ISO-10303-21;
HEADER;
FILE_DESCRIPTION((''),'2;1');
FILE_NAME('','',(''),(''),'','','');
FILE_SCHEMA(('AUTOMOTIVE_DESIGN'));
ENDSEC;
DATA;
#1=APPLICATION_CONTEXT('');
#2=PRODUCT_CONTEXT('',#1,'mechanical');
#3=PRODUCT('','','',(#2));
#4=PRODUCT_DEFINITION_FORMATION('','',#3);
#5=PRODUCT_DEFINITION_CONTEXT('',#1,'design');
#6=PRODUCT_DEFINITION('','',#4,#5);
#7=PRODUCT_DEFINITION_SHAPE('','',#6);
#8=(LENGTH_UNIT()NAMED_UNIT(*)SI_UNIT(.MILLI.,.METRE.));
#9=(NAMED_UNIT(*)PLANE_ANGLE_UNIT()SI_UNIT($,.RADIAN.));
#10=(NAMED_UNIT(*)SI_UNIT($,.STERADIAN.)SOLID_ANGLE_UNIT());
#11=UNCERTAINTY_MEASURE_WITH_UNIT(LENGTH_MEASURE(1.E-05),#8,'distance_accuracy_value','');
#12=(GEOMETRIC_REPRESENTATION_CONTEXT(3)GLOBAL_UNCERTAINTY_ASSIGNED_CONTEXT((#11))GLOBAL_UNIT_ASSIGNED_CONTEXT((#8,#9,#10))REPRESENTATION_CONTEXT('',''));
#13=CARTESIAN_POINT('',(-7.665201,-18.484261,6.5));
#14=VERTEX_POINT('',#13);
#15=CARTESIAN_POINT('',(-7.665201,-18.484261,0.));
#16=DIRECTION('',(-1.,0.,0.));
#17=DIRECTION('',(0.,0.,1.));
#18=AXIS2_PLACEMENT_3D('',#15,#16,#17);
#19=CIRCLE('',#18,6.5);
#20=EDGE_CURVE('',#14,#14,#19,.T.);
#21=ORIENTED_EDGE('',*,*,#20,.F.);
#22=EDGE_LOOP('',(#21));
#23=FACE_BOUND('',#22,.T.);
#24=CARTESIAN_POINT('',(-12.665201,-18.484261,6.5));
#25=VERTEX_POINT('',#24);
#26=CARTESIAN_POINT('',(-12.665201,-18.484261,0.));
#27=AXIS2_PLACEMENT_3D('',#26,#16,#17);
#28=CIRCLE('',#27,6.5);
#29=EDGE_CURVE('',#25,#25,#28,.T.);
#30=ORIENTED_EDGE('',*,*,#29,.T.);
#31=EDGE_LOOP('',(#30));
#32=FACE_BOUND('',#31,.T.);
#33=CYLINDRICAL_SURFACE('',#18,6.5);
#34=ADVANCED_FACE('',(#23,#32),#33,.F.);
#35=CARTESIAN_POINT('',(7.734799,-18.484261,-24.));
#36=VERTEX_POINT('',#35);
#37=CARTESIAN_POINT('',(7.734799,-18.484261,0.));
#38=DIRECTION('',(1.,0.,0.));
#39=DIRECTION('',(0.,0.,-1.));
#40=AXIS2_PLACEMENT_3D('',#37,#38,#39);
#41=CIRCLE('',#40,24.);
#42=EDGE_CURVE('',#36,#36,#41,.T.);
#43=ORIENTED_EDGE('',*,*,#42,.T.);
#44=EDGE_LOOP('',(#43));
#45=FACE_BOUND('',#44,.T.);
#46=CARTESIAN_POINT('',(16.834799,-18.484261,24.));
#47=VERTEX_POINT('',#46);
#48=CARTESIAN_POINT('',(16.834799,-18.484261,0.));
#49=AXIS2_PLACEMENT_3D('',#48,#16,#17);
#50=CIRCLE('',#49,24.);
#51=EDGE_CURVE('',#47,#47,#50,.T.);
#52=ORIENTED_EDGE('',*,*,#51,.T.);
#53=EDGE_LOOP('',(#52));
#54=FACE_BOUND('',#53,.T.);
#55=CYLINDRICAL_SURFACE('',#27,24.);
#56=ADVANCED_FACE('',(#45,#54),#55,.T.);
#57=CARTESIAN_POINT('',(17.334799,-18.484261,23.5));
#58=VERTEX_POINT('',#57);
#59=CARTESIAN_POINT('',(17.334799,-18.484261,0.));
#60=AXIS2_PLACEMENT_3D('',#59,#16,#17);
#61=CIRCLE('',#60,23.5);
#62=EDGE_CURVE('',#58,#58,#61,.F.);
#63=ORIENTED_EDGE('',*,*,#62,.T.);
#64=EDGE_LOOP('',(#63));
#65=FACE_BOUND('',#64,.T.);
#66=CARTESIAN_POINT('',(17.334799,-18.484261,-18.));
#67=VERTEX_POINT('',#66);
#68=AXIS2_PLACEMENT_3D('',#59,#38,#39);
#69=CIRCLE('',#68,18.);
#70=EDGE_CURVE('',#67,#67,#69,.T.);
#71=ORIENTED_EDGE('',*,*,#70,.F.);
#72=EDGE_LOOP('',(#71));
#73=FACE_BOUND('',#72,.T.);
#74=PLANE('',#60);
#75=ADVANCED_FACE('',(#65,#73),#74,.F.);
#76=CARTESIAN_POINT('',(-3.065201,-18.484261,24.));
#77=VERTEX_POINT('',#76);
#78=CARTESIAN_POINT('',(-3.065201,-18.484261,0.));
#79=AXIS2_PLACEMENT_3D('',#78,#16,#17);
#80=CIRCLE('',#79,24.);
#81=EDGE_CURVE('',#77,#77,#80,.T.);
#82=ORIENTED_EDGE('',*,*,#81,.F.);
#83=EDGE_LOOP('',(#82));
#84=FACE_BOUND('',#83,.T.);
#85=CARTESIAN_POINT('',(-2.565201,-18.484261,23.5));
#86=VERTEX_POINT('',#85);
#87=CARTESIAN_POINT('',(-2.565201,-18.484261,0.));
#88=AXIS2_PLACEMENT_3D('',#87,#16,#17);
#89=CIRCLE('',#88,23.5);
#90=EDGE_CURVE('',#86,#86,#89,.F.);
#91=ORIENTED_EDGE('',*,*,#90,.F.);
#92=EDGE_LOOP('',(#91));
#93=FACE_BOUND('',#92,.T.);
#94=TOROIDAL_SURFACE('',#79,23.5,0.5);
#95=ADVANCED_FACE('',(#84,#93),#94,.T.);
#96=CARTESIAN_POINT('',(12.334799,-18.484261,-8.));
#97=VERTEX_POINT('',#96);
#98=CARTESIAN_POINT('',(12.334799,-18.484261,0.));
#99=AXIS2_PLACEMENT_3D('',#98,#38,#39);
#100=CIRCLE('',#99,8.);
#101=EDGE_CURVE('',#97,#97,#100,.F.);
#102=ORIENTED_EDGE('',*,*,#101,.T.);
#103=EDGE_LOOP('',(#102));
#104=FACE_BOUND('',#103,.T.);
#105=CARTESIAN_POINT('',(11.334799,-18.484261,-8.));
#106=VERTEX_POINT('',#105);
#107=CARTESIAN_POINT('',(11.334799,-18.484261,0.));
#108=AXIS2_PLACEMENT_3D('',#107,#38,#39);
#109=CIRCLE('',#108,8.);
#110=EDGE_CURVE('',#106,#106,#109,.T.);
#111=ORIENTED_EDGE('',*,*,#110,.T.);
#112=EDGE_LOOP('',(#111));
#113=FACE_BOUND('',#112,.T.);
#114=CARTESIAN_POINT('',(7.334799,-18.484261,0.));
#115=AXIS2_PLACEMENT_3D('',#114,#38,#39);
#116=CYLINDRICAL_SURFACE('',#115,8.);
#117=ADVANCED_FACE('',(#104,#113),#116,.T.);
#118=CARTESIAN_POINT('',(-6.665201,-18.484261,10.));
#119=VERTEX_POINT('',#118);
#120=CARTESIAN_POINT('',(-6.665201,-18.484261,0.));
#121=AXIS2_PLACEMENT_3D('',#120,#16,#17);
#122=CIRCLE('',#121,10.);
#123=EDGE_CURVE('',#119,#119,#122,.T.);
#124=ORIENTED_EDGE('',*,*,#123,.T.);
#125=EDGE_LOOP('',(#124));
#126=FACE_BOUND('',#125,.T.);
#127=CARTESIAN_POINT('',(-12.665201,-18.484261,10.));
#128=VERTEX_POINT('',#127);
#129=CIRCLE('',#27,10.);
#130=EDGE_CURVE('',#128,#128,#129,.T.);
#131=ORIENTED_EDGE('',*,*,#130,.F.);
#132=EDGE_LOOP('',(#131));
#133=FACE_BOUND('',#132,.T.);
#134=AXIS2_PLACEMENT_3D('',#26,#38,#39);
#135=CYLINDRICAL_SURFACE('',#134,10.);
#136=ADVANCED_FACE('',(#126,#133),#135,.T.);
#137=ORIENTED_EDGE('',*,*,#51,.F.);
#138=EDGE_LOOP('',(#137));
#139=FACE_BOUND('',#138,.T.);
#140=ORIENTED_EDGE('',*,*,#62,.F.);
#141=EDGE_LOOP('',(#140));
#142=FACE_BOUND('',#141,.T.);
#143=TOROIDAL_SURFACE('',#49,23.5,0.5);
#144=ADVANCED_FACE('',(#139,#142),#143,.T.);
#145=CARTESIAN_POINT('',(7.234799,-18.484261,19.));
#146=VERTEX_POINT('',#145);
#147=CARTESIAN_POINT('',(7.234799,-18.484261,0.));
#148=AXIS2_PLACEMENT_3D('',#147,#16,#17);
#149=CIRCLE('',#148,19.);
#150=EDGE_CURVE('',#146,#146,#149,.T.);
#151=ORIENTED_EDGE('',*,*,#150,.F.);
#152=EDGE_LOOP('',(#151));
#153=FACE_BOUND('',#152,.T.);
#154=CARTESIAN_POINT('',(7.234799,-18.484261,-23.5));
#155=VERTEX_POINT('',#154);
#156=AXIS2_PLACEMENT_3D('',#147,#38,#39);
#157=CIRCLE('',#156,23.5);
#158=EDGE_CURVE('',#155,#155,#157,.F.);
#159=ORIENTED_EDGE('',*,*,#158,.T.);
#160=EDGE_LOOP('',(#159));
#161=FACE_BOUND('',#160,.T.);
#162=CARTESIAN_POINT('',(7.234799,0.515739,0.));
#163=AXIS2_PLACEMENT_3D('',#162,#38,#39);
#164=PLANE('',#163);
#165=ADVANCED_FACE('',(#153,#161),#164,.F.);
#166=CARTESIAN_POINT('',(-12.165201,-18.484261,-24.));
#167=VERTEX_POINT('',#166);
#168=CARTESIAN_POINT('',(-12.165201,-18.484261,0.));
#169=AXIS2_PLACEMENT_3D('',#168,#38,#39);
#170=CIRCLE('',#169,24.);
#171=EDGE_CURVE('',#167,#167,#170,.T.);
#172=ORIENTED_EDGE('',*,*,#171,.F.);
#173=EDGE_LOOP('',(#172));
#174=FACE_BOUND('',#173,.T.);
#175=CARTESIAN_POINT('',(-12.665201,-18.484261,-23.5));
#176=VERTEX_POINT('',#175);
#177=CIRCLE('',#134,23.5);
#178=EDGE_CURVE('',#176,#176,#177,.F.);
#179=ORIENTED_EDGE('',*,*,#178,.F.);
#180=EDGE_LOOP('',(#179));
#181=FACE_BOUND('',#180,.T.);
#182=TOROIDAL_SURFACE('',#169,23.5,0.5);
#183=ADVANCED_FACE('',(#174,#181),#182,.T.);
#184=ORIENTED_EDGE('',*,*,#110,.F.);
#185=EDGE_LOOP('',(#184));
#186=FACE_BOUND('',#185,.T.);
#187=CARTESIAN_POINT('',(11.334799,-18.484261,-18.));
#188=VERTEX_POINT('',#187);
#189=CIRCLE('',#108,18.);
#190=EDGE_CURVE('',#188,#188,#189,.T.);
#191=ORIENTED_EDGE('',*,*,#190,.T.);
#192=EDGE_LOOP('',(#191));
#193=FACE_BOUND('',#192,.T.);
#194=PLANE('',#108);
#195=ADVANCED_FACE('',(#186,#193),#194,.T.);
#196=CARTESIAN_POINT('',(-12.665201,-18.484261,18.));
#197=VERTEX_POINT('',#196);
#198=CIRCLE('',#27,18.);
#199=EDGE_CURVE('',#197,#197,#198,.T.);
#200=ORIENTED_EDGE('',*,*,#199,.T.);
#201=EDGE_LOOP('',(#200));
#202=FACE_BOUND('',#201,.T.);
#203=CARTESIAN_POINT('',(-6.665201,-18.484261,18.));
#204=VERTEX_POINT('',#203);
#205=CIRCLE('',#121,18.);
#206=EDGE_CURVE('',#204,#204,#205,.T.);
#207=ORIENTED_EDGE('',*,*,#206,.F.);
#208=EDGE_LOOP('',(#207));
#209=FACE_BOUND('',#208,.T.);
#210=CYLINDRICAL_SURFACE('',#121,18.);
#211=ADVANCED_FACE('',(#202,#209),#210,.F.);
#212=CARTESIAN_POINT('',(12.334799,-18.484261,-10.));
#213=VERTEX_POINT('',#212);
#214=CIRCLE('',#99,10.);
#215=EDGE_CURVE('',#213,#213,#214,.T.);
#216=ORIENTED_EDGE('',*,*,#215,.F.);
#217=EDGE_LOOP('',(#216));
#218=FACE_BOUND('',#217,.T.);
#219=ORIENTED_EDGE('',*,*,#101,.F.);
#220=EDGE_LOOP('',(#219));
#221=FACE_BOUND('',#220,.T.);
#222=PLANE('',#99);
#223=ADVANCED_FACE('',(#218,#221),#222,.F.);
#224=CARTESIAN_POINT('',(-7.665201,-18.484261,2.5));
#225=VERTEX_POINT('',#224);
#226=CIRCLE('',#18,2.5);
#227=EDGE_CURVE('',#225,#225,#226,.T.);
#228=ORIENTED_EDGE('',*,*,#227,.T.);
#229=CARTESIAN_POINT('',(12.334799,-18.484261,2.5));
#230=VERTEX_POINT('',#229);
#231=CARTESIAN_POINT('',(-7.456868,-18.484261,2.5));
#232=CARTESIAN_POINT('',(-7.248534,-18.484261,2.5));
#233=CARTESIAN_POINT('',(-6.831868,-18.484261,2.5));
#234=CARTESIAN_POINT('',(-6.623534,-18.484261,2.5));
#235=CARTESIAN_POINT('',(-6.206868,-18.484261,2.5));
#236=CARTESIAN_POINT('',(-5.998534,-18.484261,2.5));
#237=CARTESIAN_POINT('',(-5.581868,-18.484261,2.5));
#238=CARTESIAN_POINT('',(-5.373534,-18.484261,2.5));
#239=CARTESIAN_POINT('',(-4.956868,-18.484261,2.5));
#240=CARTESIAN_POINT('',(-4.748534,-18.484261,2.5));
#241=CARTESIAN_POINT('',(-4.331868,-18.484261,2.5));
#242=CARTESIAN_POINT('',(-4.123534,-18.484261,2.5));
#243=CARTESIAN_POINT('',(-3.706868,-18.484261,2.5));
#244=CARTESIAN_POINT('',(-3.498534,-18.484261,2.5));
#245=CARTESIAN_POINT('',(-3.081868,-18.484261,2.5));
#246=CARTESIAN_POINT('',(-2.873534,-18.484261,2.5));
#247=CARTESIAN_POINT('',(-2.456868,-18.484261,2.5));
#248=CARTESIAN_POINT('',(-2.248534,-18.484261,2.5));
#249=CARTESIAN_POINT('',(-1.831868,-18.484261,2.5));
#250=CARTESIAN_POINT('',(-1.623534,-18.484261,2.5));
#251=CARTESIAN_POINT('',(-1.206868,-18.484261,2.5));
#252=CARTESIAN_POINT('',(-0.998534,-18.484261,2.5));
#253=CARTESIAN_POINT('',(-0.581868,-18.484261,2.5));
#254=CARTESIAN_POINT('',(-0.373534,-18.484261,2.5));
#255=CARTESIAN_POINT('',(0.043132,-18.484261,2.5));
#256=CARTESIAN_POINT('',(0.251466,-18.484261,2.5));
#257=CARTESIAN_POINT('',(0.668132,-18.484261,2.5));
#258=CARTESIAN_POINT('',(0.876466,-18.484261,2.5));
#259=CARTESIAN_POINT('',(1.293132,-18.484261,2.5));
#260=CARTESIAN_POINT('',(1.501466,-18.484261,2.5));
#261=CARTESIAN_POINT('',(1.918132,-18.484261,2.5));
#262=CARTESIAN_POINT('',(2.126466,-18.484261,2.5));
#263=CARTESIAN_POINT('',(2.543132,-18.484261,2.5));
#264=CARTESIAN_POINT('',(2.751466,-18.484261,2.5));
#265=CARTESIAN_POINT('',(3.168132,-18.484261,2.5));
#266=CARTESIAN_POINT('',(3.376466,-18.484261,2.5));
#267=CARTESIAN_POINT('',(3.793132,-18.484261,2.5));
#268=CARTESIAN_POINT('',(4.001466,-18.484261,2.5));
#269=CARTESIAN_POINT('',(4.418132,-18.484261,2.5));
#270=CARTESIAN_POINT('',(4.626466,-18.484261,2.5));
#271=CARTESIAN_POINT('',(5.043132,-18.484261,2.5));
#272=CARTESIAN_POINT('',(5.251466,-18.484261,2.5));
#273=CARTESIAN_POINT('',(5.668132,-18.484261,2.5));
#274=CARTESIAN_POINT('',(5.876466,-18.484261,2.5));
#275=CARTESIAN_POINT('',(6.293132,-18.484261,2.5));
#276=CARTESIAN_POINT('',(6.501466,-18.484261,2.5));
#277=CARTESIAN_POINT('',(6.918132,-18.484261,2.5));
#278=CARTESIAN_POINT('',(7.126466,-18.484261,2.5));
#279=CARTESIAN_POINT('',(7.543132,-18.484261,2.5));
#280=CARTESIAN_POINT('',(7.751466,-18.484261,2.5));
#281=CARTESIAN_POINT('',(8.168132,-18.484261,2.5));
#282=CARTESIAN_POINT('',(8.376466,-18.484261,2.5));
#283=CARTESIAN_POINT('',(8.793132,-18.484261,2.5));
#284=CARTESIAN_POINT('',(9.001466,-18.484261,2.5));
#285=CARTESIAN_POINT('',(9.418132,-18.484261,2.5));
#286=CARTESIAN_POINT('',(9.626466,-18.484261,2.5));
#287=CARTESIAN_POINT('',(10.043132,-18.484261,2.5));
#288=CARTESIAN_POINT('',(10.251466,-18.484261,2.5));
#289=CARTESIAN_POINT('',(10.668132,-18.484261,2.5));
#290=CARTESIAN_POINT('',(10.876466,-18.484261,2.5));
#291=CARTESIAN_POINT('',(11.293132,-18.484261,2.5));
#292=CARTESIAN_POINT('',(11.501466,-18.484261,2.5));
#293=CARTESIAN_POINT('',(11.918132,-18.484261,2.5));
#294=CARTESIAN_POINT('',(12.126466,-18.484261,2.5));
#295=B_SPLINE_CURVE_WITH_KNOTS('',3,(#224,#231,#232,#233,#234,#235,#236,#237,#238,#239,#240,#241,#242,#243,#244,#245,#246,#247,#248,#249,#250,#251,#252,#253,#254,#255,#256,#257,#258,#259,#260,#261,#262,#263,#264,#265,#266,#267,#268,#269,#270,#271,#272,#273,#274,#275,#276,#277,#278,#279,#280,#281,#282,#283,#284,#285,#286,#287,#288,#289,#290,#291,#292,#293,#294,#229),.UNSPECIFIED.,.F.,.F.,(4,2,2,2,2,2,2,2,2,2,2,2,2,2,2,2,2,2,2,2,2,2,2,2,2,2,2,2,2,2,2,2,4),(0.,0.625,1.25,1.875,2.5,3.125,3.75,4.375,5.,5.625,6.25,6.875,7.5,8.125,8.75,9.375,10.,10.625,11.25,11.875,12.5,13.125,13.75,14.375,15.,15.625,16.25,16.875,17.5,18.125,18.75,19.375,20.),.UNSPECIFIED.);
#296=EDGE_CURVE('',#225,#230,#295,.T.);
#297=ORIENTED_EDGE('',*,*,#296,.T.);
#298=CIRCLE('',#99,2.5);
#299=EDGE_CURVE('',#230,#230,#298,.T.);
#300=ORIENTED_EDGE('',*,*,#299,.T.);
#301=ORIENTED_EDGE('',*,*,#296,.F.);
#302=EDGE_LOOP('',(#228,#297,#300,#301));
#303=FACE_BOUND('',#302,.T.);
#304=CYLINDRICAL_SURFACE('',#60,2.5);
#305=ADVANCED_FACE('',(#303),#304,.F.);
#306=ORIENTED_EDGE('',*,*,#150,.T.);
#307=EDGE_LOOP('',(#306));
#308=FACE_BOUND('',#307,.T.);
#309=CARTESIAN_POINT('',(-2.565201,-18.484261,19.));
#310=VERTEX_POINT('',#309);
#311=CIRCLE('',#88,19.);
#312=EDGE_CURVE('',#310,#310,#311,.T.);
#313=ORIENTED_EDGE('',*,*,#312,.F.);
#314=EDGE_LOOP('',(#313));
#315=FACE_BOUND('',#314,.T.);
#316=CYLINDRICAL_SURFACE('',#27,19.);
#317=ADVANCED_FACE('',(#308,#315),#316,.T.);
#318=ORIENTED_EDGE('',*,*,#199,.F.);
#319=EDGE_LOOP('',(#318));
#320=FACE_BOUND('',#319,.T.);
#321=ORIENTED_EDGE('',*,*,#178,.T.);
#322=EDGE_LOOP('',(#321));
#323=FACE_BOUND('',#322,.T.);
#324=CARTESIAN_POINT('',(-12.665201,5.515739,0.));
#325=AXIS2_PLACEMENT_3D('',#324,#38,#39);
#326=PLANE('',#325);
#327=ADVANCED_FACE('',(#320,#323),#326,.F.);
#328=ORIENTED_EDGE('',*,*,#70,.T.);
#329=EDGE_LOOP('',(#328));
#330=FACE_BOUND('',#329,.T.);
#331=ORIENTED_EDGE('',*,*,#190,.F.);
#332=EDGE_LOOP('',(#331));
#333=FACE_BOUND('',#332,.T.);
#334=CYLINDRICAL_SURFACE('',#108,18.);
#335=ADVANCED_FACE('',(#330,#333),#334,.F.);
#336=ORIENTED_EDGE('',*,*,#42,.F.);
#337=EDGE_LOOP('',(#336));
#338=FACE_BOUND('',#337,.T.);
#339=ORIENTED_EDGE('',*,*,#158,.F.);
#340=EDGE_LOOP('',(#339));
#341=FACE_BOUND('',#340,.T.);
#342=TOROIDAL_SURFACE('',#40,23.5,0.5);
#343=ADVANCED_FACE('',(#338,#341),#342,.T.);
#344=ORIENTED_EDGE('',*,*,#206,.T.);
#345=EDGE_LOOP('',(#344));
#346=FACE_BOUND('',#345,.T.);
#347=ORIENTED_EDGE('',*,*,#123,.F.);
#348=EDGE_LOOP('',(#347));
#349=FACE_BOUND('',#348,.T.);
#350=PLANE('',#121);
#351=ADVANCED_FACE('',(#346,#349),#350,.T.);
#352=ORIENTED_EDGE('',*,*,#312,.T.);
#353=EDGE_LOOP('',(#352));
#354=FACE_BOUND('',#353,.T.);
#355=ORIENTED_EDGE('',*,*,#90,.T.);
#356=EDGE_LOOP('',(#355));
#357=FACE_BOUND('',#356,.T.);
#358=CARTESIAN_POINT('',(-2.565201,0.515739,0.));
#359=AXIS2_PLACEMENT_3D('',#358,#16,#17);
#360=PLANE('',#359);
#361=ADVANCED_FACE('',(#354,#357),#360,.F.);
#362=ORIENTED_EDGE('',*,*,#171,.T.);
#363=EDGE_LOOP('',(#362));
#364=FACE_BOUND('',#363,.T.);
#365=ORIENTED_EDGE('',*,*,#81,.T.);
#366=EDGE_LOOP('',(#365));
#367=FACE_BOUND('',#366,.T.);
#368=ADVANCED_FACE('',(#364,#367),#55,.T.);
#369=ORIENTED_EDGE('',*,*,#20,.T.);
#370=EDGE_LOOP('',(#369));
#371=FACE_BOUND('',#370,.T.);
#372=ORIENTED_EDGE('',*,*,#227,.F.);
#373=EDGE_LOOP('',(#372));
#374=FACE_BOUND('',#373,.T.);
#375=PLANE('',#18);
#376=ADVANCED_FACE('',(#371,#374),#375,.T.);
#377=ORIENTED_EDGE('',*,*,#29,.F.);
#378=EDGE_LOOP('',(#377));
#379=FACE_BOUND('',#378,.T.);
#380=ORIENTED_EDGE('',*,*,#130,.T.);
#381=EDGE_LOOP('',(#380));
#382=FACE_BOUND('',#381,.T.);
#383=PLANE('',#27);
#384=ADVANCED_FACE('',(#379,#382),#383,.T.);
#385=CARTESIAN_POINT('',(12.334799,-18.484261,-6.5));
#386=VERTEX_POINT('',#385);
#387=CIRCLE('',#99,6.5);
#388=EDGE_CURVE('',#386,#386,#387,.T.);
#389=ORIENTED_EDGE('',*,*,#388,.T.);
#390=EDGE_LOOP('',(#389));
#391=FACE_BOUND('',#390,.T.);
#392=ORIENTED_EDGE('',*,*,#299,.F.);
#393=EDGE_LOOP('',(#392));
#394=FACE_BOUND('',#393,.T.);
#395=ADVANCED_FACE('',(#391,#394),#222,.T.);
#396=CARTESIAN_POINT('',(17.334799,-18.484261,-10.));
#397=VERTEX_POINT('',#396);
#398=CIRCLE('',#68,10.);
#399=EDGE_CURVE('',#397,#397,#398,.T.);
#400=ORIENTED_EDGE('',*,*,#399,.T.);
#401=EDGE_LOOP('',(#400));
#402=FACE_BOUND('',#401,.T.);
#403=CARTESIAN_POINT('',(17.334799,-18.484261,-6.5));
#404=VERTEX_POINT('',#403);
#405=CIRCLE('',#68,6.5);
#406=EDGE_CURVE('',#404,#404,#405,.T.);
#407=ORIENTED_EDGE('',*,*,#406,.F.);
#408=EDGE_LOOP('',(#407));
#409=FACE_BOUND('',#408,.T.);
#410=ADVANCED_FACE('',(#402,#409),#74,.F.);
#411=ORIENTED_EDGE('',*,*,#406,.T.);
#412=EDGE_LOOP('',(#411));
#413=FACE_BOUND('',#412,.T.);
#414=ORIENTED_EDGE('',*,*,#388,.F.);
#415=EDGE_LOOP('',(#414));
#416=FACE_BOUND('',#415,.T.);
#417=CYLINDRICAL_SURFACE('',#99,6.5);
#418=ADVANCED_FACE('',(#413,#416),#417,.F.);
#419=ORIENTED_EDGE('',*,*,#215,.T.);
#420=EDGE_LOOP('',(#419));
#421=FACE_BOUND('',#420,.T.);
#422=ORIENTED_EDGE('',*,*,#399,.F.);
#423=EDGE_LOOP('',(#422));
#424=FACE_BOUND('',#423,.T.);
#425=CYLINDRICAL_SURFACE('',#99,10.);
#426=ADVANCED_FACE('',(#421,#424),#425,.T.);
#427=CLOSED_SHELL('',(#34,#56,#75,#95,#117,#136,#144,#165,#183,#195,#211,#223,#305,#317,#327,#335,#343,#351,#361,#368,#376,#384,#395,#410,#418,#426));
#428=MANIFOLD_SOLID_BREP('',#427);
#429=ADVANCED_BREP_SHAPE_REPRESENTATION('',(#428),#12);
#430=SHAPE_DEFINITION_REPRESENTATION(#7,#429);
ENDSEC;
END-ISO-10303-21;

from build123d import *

# Parameters (mm, degrees)
SKETCH3_R           = 2
CUT_EXTRUDE1_DEPTH  = 58.27924924
FILLET2_R           = 0.5
SKETCH4_R           = 18
SKETCH4_R_2         = 6
CUT_EXTRUDE2_DEPTH  = 6
CUT_EXTRUDE3_START  = -6
SKETCH5_R           = 18
CUT_EXTRUDE3_DEPTH  = 6
SKETCH6_R           = 10
BOSS_EXTRUDE1_DEPTH = 6
SKETCH8_R           = 8
BOSS_EXTRUDE2_DEPTH = 10
SKETCH10_R          = 6.5
CUT_EXTRUDE5_DEPTH  = 5
SKETCH11_R          = 10
BOSS_EXTRUDE3_DEPTH = 5
CUT_EXTRUDE6_START  = -5
SKETCH12_R          = 6.5
CUT_EXTRUDE6_DEPTH  = 5
SKETCH7_R           = 2.5
CUT_EXTRUDE8_DEPTH  = 58.279249356


with BuildPart() as part:
    # Sketch2 → Revolve1 (revolve)
    with BuildSketch(Plane.XY, mode=Mode.PRIVATE) as revolve1_sk:
        Polygon((-2.565200875, 0.515739462), (7.234799125, 0.515739462), (7.234799125, 5.515739462), (17.334799125, 5.515739462), (17.334799125, -18.484260538), (-12.665200875, -18.484260538), (-12.665200875, 5.515739462), (-2.565200875, 5.515739462), align=None)
    revolve(revolve1_sk.sketch.rotate(Axis((-12.665200875, -18.484260538, 0), (1, 0, 0)), 90), axis=Axis((-12.665200875, -18.484260538, 0), (1, 0, 0)))

    # Sketch3 → Cut-Extrude1 (cut, through all)
    with BuildSketch(Plane(origin=(17.334799125, 0, 0), x_dir=(0, 0, -1), z_dir=(1, 0, 0))):
        with Locations((0, -18.484260538)):
            Circle(SKETCH3_R)
    extrude(amount=-CUT_EXTRUDE1_DEPTH, mode=Mode.SUBTRACT)

    # Fillet2
    fillet2_edges = [part.edges().sort_by_distance(p)[0] for p in [
        (-2.565200875, -18.484260538, -24),
        (7.234799125, -18.484260538, -24),
        (17.334799125, -18.484260538, -24),
        (-12.665200875, -18.484260538, -24),
    ]]
    fillet(fillet2_edges, radius=FILLET2_R)

    # Sketch4 → Cut-Extrude2 (cut)
    with BuildSketch(Plane(origin=(17.334799125, 0, 0), x_dir=(0, 0, -1), z_dir=(1, 0, 0))):
        with Locations((0, -18.484260538)):
            Circle(SKETCH4_R)
        with Locations((0, -18.484260538)):
            Circle(SKETCH4_R_2, mode=Mode.SUBTRACT)
    extrude(amount=-CUT_EXTRUDE2_DEPTH, mode=Mode.SUBTRACT)

    # Sketch5 → Cut-Extrude3 (cut)
    with BuildSketch(Plane.ZY.offset(12.665200875).offset(CUT_EXTRUDE3_START)):
        with Locations(Location((0, -18.484260538, 0), (0, 0, 180))):
            Circle(SKETCH5_R)
    extrude(amount=CUT_EXTRUDE3_DEPTH, mode=Mode.SUBTRACT)

    # Sketch6 → Boss-Extrude1 (add, through all)
    with BuildSketch(Plane.ZY.offset(6.665200875)):
        with Locations((0, -18.484260538)):
            Circle(SKETCH6_R)
    extrude(amount=BOSS_EXTRUDE1_DEPTH)

    # Sketch8 → Boss-Extrude2 (add)
    with BuildSketch(Plane(origin=(17.334799125, 0, 0), x_dir=(0, 0, -1), z_dir=(1, 0, 0))):
        with Locations((0, -18.484260538)):
            Circle(SKETCH8_R)
    extrude(amount=-BOSS_EXTRUDE2_DEPTH)

    # Sketch10 → Cut-Extrude5 (cut)
    with BuildSketch(Plane.ZY.offset(12.665200875)):
        with Locations((0, -18.484260538)):
            Circle(SKETCH10_R)
    extrude(amount=-CUT_EXTRUDE5_DEPTH, mode=Mode.SUBTRACT)

    # Sketch11 → Boss-Extrude3 (add)
    with BuildSketch(Plane(origin=(17.334799125, 0, 0), x_dir=(0, 0, -1), z_dir=(1, 0, 0))):
        with Locations(Location((0, -18.484260538, 0), (0, 0, 180))):
            Circle(SKETCH11_R)
    extrude(amount=-BOSS_EXTRUDE3_DEPTH)

    # Sketch12 → Cut-Extrude6 (cut)
    with BuildSketch(Plane(origin=(17.334799125, 0, 0), x_dir=(0, 0, -1), z_dir=(1, 0, 0)).offset(CUT_EXTRUDE6_START)):
        with Locations(Location((0, -18.484260538, 0), (0, 0, 180))):
            Circle(SKETCH12_R)
    extrude(amount=CUT_EXTRUDE6_DEPTH, mode=Mode.SUBTRACT)

    # Sketch7 → Cut-Extrude8 (cut, through all)
    with BuildSketch(Plane.ZY.offset(12.665200875)):
        with Locations((0, -18.484260538)):
            Circle(SKETCH7_R)
    extrude(amount=-CUT_EXTRUDE8_DEPTH, mode=Mode.SUBTRACT)


solid = part.part
